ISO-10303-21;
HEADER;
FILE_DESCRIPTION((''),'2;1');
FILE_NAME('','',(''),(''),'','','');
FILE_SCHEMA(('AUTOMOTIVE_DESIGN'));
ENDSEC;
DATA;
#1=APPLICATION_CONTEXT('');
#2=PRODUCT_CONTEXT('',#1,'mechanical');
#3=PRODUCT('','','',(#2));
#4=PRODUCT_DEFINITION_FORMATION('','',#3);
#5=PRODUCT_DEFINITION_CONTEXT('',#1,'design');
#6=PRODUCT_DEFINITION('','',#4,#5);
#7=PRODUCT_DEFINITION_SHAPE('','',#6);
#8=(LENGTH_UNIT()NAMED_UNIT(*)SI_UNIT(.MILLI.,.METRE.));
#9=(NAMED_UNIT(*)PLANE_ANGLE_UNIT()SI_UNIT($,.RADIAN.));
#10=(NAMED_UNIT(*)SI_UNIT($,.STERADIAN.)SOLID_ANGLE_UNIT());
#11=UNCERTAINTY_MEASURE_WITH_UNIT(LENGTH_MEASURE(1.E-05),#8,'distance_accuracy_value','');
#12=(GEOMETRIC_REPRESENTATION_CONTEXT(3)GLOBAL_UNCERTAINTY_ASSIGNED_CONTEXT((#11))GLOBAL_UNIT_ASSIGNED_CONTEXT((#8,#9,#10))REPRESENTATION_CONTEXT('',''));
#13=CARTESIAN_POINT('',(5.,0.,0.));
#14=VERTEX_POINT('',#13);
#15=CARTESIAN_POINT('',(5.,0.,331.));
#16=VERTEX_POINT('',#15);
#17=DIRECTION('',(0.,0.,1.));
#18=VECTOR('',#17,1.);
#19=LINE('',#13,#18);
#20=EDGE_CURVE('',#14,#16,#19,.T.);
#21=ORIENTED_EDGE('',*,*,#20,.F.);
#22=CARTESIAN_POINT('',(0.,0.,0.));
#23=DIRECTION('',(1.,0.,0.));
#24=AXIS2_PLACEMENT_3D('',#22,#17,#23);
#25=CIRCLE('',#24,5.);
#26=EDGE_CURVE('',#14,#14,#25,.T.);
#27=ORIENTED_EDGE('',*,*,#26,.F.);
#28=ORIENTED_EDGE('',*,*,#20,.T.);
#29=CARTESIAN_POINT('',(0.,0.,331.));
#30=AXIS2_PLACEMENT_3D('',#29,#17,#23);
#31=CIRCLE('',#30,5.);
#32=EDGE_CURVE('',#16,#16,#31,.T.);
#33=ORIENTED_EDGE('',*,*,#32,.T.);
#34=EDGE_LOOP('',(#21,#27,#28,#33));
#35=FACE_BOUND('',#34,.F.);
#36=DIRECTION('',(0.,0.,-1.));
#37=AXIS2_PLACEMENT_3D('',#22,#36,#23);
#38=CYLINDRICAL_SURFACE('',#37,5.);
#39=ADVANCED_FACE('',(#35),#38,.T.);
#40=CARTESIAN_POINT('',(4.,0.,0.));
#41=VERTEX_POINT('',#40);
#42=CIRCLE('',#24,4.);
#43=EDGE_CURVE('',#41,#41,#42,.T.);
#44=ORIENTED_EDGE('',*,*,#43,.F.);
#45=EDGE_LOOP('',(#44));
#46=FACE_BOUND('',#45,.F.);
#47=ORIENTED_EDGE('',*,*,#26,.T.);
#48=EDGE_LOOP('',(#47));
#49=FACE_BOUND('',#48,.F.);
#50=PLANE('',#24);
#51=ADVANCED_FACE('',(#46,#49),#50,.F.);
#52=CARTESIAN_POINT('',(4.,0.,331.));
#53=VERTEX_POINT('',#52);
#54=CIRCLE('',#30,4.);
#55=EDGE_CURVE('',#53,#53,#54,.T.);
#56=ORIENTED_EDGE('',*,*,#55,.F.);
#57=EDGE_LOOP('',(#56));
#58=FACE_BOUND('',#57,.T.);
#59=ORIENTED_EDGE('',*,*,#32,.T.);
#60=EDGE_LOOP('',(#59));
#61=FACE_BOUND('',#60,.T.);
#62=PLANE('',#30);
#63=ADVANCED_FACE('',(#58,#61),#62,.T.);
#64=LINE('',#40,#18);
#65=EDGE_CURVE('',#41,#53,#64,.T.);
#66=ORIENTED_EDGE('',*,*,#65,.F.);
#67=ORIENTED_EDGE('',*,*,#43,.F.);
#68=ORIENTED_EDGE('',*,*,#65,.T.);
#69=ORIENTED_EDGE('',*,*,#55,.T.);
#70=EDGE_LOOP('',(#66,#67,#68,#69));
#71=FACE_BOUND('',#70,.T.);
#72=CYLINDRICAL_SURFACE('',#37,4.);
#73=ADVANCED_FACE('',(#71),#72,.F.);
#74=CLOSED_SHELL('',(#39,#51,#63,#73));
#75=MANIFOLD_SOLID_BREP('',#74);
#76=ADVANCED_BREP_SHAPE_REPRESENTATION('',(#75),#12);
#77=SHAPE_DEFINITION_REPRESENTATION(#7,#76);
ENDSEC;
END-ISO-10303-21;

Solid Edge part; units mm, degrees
sketch "Sketch1" plane through (0, 0, 0) normal (0, 0, 1) x (1, 0, 0)
  circle A0 centre (0, 0) radius 5
  circle A1 centre (0, 0) radius 4
  dimension "D1" = 8
  dimension "D2" = 10
extrude "Protrusion1" add sketch "Sketch1" along normal blind 331
properties material "Carbon Fiber"
